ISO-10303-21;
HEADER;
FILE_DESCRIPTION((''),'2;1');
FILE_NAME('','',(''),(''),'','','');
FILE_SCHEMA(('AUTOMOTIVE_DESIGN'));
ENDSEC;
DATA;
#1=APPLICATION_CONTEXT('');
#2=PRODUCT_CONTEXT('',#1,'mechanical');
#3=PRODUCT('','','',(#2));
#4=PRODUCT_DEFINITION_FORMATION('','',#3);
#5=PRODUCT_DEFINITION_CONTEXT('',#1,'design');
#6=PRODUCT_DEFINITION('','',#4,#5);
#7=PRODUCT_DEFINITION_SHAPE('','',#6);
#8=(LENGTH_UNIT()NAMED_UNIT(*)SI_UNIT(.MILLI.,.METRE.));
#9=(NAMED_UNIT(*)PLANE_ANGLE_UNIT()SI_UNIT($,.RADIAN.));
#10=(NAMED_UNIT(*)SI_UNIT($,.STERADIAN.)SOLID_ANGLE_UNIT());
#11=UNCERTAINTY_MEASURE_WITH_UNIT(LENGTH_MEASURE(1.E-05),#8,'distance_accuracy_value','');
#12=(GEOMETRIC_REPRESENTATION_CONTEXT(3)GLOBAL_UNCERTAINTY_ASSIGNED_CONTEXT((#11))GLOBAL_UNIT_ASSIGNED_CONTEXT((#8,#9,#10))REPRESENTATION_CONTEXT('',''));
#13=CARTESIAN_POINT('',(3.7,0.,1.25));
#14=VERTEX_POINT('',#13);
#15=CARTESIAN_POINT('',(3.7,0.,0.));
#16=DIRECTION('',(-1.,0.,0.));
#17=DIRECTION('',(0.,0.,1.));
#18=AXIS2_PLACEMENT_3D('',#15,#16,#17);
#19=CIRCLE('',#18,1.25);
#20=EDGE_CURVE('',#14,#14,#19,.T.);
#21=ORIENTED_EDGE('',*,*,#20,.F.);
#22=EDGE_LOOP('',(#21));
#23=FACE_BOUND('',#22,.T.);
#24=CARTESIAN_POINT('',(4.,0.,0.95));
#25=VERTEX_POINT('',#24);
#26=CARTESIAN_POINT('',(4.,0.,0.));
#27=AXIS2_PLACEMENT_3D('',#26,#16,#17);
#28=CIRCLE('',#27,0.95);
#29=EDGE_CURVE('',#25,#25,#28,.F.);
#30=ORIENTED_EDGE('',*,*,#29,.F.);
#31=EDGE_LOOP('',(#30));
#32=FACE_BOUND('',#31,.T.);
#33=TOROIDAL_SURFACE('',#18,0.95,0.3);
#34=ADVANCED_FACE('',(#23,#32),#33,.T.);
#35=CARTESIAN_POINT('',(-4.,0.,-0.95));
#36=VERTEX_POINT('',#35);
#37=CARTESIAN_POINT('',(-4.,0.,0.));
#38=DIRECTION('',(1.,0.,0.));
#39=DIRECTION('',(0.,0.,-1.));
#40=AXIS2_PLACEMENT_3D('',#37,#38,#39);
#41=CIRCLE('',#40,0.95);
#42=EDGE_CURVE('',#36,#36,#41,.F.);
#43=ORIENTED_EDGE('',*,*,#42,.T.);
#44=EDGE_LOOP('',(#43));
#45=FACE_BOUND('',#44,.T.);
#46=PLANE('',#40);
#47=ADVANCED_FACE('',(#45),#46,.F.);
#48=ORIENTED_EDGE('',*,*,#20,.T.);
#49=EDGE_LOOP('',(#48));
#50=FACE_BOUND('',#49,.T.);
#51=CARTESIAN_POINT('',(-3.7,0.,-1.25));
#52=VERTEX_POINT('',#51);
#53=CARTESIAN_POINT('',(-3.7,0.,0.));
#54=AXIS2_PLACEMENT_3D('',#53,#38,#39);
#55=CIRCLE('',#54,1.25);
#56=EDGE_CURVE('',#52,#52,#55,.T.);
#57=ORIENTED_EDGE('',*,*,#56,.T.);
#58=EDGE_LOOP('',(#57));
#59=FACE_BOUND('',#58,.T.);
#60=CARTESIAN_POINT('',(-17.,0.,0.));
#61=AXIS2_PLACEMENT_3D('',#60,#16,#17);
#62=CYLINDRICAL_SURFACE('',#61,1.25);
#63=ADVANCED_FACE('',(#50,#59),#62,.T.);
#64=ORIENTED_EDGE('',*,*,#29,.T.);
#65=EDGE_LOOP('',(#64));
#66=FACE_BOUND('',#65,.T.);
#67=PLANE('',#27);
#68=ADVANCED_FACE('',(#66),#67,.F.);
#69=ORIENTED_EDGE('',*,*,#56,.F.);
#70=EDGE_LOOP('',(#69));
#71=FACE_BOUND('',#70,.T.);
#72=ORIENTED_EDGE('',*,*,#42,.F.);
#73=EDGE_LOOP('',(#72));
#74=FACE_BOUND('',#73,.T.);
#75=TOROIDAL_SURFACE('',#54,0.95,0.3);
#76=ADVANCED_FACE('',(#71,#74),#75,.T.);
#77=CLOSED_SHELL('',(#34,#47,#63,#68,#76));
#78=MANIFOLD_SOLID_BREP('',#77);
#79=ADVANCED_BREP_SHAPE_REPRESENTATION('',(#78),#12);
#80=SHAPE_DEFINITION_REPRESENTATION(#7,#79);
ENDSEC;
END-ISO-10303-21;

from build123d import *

# Parameters (mm, degrees)
ESQUISSE1_W = 8
ESQUISSE1_H = 1.25
CONG_1_R    = 0.3


with BuildPart() as part:
    # Esquisse1 → Base-Révolution (revolve)
    with BuildSketch(Plane.XY):
        with Locations((0, 0.625)):
            Rectangle(ESQUISSE1_W, ESQUISSE1_H)
    revolve(axis=Axis((-17, 0, 0), (1, 0, 0)))

    # Congé1
    cong_1_edges = [part.edges().sort_by_distance(p)[0] for p in [
        (4, -1.25, 0),
        (-4, -1.25, 0),
    ]]
    fillet(cong_1_edges, radius=CONG_1_R)


solid = part.part
